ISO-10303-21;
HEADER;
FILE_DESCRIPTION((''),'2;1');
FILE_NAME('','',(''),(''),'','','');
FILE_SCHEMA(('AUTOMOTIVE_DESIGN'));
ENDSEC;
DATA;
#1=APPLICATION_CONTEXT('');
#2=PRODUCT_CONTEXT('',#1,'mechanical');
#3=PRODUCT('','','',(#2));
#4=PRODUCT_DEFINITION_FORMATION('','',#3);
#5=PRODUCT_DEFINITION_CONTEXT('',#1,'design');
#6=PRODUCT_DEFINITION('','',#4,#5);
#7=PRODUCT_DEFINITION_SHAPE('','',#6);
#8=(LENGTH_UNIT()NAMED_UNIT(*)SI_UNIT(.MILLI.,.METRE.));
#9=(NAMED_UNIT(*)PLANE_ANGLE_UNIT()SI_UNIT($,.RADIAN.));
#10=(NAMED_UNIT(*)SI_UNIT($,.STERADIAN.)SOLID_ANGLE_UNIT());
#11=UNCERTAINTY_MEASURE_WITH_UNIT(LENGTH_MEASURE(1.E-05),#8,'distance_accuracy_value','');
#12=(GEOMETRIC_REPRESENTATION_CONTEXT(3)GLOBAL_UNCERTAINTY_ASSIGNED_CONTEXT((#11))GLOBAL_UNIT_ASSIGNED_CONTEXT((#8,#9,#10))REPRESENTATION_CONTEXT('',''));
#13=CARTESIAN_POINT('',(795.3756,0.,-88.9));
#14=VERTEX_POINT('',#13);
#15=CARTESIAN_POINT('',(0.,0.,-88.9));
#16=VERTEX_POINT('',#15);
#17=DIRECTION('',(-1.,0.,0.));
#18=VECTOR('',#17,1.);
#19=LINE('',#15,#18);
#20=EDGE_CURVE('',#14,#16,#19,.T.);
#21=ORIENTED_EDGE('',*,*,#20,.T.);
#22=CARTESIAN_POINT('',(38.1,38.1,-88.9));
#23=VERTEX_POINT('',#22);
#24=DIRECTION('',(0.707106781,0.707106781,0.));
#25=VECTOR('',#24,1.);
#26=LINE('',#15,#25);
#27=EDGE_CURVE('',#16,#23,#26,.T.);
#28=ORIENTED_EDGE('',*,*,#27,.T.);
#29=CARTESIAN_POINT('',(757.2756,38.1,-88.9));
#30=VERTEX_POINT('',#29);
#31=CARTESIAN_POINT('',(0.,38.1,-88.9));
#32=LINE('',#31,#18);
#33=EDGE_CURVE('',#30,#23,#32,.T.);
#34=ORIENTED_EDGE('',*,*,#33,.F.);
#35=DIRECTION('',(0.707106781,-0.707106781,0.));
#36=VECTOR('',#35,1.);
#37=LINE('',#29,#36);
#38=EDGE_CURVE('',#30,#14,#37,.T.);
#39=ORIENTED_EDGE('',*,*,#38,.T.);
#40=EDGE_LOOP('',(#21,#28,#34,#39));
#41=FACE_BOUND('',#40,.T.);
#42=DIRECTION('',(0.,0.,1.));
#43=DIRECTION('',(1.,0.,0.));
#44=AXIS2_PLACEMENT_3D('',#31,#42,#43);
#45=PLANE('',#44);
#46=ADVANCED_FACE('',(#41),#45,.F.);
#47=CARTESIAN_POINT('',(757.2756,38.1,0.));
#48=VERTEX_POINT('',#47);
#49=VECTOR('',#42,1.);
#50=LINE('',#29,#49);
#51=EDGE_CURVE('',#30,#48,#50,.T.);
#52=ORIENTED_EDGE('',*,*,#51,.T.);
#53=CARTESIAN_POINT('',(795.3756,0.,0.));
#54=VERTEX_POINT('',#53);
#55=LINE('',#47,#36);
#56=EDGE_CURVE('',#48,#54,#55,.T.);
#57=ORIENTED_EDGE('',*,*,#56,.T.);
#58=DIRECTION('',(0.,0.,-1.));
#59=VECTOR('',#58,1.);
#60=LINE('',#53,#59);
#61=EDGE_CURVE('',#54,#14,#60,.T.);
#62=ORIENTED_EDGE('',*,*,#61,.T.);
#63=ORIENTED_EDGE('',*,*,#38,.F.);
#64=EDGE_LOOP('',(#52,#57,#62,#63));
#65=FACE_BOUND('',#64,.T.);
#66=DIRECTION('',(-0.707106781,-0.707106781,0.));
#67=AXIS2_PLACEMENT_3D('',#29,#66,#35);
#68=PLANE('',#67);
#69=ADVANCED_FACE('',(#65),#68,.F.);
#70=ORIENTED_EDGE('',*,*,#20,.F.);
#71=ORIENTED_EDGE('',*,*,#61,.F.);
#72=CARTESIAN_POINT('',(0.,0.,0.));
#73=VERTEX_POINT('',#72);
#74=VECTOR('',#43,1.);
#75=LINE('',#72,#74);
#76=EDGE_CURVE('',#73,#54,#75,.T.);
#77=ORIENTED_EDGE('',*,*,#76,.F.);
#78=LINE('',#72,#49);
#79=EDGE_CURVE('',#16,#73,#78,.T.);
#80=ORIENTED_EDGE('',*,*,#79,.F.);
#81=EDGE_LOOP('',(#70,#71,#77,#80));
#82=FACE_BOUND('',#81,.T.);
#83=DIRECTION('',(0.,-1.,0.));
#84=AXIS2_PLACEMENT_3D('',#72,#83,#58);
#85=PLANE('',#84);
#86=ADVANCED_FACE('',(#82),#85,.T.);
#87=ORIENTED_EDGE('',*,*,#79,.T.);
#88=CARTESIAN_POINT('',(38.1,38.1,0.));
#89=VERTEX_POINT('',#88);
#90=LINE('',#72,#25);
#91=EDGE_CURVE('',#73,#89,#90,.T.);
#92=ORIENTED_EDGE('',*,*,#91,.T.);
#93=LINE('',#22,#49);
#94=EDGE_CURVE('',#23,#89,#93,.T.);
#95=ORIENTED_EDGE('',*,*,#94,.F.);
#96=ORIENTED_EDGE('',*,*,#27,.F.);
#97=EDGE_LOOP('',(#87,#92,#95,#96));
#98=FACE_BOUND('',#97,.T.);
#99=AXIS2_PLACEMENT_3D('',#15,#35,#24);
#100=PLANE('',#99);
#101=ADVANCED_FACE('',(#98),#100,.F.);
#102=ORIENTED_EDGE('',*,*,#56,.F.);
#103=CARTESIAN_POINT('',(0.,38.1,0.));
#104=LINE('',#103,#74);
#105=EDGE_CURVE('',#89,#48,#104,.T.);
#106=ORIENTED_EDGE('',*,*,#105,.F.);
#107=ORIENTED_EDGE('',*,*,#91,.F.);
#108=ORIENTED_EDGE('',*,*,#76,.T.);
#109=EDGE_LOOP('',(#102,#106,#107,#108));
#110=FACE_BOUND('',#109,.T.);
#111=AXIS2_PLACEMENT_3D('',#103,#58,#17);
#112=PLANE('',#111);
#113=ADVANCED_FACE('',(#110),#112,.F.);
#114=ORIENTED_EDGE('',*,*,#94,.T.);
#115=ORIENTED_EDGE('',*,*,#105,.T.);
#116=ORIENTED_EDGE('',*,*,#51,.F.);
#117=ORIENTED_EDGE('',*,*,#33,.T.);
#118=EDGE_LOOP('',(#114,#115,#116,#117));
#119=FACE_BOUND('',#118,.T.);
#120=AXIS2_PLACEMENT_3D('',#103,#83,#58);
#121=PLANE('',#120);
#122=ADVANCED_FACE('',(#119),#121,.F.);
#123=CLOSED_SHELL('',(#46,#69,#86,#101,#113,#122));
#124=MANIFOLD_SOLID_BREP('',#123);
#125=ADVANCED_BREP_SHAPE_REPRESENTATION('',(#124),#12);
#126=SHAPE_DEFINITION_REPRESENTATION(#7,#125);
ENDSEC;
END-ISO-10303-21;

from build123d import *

# Parameters (mm, degrees)
SKETCH1_W           = 795.3756
SKETCH1_H           = 88.9
BOSS_EXTRUDE1_DEPTH = 38.1
CUT_EXTRUDE1_DEPTH  = 89.9


with BuildPart() as part:
    # Sketch1 → Boss-Extrude1 (new body)
    with BuildSketch(Plane(origin=(0, 0, 0), x_dir=(1, 0, 0), z_dir=(0, 1, 0))):
        with Locations((397.6878, 44.45)):
            Rectangle(SKETCH1_W, SKETCH1_H)
    extrude(amount=BOSS_EXTRUDE1_DEPTH)

    # Sketch2 → Cut-Extrude1 (cut, through all)
    with BuildSketch(Plane.XY):
        Polygon((0, 0), (38.1, 38.1), (0, 38.1), align=None)
        Polygon((795.3756, 0), (795.3756, 38.1), (757.2756, 38.1), align=None)
    extrude(amount=-CUT_EXTRUDE1_DEPTH, mode=Mode.SUBTRACT)


solid = part.part
